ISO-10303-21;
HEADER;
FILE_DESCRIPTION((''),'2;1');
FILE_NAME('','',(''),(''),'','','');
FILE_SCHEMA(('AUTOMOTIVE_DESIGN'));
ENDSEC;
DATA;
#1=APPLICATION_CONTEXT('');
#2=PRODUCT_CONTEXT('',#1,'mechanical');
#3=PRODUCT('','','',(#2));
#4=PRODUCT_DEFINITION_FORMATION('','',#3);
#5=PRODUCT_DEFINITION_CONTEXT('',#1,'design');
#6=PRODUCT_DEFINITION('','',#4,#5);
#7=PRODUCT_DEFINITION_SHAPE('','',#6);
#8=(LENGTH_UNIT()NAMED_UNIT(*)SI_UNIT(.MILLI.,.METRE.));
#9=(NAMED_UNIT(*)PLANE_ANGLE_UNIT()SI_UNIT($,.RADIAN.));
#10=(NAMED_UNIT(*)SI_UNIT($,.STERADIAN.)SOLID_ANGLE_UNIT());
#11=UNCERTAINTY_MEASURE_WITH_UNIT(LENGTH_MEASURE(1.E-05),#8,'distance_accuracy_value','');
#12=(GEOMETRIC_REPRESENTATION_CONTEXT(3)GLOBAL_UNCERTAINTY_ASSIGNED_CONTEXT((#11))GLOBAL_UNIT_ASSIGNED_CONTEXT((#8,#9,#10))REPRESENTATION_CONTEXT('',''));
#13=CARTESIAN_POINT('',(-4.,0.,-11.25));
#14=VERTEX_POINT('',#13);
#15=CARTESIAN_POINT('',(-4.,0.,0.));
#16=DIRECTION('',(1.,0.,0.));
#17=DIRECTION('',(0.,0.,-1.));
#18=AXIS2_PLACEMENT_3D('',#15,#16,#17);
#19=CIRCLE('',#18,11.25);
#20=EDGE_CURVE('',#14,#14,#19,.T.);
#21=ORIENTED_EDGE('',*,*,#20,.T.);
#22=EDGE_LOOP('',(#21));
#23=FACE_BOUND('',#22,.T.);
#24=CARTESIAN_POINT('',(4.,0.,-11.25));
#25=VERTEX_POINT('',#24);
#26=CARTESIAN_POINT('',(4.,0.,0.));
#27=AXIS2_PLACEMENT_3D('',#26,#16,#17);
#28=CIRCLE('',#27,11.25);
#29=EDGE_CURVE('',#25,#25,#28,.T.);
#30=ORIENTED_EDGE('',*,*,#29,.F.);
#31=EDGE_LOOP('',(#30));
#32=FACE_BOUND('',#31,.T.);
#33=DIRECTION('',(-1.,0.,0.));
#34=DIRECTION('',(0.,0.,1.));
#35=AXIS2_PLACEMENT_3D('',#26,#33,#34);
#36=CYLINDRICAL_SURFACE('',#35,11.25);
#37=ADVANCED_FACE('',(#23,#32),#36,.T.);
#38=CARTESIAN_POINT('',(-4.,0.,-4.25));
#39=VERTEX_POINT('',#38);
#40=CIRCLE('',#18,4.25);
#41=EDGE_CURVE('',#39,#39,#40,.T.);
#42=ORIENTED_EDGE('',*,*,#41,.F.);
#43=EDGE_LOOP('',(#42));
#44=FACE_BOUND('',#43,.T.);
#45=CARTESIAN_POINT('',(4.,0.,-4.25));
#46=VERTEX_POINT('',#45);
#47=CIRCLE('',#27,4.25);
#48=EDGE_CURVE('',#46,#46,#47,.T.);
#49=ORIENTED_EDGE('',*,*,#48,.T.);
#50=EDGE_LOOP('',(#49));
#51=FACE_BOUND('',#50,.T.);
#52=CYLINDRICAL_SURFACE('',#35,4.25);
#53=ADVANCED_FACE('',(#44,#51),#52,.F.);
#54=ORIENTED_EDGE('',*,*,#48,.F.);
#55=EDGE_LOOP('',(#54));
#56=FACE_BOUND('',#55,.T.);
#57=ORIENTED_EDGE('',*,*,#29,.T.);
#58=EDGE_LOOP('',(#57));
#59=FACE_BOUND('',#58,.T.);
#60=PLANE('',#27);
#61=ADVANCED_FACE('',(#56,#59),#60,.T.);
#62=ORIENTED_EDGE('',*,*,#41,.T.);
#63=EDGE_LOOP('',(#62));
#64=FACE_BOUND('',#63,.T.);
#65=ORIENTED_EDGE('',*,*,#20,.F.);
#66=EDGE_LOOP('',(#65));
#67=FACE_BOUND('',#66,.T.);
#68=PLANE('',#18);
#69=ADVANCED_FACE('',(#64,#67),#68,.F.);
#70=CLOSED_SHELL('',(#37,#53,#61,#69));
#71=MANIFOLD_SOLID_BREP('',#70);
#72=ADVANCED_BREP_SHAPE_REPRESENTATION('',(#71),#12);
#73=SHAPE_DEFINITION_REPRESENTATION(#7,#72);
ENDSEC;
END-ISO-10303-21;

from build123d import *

# Parameters (mm, degrees)
SKETCH_1_R      = 11.25
SKETCH_1_R_2    = 4.25
EXTRUDE_1_DEPTH = 4


with BuildPart() as part:
    # Эскиз1 → Бобышка-Вытянуть1 (new, symmetric)
    with BuildSketch(Plane(origin=(0, 0, 0), x_dir=(0, 0, -1), z_dir=(1, 0, 0))):
        Circle(SKETCH_1_R)
        Circle(SKETCH_1_R_2, mode=Mode.SUBTRACT)
    extrude(amount=EXTRUDE_1_DEPTH, both=True)


solid = part.part
